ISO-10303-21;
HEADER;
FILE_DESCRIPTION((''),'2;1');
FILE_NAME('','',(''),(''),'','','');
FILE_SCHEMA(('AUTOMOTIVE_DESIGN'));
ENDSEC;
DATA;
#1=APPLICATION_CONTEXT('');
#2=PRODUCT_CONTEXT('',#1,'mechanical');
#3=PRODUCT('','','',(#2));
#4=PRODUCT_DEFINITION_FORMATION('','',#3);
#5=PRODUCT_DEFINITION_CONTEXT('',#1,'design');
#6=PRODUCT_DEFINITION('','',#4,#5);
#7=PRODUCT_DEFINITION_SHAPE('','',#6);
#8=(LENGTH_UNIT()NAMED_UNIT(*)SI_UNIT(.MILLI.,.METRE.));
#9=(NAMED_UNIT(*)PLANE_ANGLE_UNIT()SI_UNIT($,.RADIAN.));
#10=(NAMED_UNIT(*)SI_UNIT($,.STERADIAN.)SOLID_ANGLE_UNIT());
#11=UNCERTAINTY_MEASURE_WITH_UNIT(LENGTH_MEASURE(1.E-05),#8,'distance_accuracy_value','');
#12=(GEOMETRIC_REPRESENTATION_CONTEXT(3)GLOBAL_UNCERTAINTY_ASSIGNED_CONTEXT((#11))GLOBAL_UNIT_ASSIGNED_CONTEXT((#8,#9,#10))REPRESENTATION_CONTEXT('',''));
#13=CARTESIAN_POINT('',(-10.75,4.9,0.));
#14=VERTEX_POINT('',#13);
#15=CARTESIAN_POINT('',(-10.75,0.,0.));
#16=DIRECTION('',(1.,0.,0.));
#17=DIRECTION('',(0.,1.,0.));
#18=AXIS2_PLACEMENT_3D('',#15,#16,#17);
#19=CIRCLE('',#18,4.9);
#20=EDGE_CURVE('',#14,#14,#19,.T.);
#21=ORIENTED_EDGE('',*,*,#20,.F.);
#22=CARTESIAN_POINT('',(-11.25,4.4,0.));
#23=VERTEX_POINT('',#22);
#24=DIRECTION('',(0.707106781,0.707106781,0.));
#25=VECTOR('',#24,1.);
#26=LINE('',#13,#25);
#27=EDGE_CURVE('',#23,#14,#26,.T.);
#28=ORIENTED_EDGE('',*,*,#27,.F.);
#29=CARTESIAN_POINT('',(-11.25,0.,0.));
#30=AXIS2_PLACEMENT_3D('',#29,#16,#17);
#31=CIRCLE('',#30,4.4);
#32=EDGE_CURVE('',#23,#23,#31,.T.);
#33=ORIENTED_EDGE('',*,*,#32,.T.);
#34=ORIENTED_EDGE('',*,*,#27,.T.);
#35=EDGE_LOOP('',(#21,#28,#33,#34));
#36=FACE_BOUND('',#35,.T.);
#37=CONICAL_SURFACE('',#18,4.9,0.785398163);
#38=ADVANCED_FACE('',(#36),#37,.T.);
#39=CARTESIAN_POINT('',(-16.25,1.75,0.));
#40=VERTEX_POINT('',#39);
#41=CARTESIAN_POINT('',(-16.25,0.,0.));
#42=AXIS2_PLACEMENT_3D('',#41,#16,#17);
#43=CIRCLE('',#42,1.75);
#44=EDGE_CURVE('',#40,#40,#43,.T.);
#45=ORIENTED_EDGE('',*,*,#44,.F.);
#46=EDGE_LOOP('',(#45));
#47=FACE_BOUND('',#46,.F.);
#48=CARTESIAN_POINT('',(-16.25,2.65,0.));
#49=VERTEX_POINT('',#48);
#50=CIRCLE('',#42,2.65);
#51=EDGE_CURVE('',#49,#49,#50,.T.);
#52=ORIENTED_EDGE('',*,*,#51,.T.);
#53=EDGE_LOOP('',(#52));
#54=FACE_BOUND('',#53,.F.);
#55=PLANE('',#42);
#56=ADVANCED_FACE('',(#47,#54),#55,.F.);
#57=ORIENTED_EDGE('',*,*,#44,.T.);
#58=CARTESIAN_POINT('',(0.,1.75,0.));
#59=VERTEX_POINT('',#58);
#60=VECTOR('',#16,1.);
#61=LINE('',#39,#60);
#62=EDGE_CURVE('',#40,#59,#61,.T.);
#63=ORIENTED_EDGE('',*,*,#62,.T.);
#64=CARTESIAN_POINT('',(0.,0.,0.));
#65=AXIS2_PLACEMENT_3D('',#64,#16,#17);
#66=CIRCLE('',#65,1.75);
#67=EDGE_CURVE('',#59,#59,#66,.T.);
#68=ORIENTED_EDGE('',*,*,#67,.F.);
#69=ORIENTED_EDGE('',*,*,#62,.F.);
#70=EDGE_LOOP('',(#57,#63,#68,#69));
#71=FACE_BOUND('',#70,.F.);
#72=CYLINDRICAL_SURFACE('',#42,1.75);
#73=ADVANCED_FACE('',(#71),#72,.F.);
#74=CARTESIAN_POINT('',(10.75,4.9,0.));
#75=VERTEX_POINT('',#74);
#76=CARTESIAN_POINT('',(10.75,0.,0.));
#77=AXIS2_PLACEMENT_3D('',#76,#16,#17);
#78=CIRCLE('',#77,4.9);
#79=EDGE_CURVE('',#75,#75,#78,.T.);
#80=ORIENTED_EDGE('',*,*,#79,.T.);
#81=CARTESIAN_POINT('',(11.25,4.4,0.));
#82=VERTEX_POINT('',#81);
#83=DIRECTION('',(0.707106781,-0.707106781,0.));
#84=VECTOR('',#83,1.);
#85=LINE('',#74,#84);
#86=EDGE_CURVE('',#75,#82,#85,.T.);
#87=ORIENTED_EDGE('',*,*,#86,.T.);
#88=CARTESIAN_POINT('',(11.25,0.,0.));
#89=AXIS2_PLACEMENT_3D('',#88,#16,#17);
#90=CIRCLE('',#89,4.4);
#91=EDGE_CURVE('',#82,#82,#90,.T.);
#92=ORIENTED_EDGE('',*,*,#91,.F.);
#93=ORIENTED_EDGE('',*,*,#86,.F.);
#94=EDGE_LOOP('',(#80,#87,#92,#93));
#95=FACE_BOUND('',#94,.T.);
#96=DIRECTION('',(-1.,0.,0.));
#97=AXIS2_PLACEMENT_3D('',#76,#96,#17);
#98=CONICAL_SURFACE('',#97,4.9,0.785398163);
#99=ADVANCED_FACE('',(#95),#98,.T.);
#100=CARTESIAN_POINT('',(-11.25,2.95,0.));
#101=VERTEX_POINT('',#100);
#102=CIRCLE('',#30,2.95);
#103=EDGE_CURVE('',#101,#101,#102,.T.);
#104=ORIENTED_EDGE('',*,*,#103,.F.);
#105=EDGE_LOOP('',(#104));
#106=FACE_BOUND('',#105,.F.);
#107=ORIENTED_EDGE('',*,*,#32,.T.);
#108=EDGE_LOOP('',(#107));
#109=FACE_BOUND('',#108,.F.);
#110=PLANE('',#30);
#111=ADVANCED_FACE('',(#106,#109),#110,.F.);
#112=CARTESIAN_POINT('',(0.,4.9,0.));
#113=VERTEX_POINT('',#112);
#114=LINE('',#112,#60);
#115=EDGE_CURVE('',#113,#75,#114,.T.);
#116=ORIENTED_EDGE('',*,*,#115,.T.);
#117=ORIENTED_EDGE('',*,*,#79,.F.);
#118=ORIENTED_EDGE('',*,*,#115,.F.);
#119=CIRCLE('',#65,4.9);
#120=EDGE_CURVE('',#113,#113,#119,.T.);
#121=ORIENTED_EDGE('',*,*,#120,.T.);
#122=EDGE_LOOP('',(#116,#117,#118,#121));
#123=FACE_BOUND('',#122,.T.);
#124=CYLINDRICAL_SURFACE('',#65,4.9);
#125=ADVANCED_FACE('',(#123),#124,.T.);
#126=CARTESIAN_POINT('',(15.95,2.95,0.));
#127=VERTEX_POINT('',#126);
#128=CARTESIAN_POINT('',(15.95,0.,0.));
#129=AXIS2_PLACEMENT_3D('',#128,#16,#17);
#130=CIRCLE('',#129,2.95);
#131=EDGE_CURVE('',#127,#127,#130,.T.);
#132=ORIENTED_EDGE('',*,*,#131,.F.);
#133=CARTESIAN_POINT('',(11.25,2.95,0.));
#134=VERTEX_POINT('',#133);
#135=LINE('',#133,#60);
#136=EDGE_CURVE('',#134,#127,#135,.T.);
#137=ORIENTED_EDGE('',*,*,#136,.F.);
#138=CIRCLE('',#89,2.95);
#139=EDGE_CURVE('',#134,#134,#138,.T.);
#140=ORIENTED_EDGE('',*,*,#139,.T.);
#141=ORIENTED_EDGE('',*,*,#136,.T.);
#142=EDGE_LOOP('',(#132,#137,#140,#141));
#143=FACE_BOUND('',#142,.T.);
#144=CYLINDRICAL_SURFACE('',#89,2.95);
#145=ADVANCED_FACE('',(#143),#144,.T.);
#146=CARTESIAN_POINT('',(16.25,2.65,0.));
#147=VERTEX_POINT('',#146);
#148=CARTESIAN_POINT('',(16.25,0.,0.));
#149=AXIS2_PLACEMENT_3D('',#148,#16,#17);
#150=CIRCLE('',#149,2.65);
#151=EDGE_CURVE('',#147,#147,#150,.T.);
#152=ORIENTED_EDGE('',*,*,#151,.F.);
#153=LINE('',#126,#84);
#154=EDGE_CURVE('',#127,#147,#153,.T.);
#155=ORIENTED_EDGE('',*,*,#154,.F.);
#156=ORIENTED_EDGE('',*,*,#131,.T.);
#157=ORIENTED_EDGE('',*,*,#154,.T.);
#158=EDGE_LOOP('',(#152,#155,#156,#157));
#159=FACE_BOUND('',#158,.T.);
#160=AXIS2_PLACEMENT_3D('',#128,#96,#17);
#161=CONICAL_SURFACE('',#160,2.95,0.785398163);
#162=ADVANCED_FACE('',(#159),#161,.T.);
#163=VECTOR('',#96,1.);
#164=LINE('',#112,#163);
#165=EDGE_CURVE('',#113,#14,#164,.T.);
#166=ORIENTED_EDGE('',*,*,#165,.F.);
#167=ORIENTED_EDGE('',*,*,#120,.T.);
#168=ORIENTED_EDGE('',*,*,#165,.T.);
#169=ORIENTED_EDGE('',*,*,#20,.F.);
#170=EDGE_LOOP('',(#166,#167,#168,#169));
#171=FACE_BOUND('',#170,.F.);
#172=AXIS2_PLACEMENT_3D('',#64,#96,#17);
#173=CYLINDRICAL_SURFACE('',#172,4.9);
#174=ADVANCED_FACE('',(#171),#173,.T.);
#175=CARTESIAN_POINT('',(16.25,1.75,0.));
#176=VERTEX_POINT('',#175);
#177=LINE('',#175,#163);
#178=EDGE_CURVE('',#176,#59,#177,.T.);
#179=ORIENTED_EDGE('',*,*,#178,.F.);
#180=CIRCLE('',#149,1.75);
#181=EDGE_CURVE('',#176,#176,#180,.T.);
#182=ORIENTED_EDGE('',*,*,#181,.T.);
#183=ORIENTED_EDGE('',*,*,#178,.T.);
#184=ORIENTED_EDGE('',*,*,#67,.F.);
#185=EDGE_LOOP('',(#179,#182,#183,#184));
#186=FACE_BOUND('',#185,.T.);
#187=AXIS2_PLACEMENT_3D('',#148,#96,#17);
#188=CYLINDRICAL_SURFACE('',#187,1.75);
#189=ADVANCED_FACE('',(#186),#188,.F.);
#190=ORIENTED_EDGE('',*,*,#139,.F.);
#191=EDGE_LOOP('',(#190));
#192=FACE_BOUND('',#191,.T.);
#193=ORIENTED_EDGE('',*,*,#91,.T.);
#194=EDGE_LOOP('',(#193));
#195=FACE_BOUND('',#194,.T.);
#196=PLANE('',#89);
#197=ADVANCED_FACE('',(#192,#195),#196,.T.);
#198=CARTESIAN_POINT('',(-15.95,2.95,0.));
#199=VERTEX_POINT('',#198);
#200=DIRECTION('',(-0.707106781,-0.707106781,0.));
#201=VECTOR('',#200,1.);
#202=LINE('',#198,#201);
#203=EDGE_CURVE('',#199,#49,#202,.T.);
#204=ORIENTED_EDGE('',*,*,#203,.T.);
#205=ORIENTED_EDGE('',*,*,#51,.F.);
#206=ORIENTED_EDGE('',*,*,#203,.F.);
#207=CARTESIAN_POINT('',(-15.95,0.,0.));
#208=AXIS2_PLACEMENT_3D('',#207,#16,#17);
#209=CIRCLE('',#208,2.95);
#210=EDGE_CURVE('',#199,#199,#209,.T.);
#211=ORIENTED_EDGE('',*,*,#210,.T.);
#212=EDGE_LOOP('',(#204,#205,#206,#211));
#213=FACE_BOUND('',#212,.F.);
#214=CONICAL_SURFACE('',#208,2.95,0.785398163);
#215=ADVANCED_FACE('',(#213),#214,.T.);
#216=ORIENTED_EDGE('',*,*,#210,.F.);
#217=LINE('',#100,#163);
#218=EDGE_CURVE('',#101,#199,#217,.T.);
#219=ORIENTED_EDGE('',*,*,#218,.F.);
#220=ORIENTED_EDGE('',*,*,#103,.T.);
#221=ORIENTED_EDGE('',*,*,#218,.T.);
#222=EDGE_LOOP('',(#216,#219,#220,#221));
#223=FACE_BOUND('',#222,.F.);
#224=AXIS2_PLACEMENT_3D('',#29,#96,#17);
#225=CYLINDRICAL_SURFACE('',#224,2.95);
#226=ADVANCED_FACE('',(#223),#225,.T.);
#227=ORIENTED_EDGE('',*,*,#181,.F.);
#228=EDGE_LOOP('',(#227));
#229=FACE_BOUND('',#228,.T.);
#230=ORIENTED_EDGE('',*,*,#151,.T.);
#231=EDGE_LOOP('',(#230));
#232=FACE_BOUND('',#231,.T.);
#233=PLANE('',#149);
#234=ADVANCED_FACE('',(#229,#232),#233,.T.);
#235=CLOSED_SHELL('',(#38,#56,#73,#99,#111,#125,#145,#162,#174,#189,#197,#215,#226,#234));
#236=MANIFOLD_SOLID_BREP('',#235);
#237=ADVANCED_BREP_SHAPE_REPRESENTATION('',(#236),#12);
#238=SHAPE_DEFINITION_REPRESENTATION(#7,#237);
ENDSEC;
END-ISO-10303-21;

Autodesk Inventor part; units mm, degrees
ref_plane "YZ Plane" through (0, 0, 0) normal (1, 0, 0) x (0, 1, 0)
ref_plane "XZ Plane" through (0, 0, 0) normal (0, 1, 0) x (-1, 0, 0)
ref_plane "XY Plane" through (0, 0, 0) normal (0, 0, 1) x (1, 0, 0)
sketch "Эскиз2" plane through (0, 0, 0) normal (0, 0, 1) x (1, 0, 0)
  line L0 (0, 4.9) -> (11.25, 4.9)
  line L1 (11.25, 4.9) -> (11.25, 2.95)
  line L2 (11.25, 2.95) -> (16.25, 2.95)
  line L3 (16.25, 2.95) -> (16.25, 1.75)
  line L4 (16.25, 1.75) -> (0, 1.75)
  line L5 (0, 0) -> (17.7021, 0) construction
  line L6 (0, 0) -> (0, 8.5432) construction
  line L7 (0, 4.9) -> (-11.25, 4.9)
  line L8 (-11.25, 4.9) -> (-11.25, 2.95)
  line L9 (-11.25, 2.95) -> (-16.25, 2.95)
  line L10 (-16.25, 2.95) -> (-16.25, 1.75)
  line L11 (-16.25, 1.75) -> (0, 1.75)
  dimension "d3" = 9.8
  dimension "d4" = 22.5
  dimension "d6" = 5.9
  dimension "d7" = 3.5
  dimension "d12" = 5
revolve "Вращение1" add sketch "Эскиз2" angle 360 about axis through (0, 0, 0) along (1, 0, 0)
chamfer "Фаска1" distance 0.5 angle 45 2 edges at (-11.25, -4.9, 0) (11.25, -4.9, 0)
chamfer "Фаска2" distance 0.3 angle 45 2 edges at (-16.25, -2.95, 0) (16.25, -2.95, 0)
properties part number "Ось двусторонняя"
